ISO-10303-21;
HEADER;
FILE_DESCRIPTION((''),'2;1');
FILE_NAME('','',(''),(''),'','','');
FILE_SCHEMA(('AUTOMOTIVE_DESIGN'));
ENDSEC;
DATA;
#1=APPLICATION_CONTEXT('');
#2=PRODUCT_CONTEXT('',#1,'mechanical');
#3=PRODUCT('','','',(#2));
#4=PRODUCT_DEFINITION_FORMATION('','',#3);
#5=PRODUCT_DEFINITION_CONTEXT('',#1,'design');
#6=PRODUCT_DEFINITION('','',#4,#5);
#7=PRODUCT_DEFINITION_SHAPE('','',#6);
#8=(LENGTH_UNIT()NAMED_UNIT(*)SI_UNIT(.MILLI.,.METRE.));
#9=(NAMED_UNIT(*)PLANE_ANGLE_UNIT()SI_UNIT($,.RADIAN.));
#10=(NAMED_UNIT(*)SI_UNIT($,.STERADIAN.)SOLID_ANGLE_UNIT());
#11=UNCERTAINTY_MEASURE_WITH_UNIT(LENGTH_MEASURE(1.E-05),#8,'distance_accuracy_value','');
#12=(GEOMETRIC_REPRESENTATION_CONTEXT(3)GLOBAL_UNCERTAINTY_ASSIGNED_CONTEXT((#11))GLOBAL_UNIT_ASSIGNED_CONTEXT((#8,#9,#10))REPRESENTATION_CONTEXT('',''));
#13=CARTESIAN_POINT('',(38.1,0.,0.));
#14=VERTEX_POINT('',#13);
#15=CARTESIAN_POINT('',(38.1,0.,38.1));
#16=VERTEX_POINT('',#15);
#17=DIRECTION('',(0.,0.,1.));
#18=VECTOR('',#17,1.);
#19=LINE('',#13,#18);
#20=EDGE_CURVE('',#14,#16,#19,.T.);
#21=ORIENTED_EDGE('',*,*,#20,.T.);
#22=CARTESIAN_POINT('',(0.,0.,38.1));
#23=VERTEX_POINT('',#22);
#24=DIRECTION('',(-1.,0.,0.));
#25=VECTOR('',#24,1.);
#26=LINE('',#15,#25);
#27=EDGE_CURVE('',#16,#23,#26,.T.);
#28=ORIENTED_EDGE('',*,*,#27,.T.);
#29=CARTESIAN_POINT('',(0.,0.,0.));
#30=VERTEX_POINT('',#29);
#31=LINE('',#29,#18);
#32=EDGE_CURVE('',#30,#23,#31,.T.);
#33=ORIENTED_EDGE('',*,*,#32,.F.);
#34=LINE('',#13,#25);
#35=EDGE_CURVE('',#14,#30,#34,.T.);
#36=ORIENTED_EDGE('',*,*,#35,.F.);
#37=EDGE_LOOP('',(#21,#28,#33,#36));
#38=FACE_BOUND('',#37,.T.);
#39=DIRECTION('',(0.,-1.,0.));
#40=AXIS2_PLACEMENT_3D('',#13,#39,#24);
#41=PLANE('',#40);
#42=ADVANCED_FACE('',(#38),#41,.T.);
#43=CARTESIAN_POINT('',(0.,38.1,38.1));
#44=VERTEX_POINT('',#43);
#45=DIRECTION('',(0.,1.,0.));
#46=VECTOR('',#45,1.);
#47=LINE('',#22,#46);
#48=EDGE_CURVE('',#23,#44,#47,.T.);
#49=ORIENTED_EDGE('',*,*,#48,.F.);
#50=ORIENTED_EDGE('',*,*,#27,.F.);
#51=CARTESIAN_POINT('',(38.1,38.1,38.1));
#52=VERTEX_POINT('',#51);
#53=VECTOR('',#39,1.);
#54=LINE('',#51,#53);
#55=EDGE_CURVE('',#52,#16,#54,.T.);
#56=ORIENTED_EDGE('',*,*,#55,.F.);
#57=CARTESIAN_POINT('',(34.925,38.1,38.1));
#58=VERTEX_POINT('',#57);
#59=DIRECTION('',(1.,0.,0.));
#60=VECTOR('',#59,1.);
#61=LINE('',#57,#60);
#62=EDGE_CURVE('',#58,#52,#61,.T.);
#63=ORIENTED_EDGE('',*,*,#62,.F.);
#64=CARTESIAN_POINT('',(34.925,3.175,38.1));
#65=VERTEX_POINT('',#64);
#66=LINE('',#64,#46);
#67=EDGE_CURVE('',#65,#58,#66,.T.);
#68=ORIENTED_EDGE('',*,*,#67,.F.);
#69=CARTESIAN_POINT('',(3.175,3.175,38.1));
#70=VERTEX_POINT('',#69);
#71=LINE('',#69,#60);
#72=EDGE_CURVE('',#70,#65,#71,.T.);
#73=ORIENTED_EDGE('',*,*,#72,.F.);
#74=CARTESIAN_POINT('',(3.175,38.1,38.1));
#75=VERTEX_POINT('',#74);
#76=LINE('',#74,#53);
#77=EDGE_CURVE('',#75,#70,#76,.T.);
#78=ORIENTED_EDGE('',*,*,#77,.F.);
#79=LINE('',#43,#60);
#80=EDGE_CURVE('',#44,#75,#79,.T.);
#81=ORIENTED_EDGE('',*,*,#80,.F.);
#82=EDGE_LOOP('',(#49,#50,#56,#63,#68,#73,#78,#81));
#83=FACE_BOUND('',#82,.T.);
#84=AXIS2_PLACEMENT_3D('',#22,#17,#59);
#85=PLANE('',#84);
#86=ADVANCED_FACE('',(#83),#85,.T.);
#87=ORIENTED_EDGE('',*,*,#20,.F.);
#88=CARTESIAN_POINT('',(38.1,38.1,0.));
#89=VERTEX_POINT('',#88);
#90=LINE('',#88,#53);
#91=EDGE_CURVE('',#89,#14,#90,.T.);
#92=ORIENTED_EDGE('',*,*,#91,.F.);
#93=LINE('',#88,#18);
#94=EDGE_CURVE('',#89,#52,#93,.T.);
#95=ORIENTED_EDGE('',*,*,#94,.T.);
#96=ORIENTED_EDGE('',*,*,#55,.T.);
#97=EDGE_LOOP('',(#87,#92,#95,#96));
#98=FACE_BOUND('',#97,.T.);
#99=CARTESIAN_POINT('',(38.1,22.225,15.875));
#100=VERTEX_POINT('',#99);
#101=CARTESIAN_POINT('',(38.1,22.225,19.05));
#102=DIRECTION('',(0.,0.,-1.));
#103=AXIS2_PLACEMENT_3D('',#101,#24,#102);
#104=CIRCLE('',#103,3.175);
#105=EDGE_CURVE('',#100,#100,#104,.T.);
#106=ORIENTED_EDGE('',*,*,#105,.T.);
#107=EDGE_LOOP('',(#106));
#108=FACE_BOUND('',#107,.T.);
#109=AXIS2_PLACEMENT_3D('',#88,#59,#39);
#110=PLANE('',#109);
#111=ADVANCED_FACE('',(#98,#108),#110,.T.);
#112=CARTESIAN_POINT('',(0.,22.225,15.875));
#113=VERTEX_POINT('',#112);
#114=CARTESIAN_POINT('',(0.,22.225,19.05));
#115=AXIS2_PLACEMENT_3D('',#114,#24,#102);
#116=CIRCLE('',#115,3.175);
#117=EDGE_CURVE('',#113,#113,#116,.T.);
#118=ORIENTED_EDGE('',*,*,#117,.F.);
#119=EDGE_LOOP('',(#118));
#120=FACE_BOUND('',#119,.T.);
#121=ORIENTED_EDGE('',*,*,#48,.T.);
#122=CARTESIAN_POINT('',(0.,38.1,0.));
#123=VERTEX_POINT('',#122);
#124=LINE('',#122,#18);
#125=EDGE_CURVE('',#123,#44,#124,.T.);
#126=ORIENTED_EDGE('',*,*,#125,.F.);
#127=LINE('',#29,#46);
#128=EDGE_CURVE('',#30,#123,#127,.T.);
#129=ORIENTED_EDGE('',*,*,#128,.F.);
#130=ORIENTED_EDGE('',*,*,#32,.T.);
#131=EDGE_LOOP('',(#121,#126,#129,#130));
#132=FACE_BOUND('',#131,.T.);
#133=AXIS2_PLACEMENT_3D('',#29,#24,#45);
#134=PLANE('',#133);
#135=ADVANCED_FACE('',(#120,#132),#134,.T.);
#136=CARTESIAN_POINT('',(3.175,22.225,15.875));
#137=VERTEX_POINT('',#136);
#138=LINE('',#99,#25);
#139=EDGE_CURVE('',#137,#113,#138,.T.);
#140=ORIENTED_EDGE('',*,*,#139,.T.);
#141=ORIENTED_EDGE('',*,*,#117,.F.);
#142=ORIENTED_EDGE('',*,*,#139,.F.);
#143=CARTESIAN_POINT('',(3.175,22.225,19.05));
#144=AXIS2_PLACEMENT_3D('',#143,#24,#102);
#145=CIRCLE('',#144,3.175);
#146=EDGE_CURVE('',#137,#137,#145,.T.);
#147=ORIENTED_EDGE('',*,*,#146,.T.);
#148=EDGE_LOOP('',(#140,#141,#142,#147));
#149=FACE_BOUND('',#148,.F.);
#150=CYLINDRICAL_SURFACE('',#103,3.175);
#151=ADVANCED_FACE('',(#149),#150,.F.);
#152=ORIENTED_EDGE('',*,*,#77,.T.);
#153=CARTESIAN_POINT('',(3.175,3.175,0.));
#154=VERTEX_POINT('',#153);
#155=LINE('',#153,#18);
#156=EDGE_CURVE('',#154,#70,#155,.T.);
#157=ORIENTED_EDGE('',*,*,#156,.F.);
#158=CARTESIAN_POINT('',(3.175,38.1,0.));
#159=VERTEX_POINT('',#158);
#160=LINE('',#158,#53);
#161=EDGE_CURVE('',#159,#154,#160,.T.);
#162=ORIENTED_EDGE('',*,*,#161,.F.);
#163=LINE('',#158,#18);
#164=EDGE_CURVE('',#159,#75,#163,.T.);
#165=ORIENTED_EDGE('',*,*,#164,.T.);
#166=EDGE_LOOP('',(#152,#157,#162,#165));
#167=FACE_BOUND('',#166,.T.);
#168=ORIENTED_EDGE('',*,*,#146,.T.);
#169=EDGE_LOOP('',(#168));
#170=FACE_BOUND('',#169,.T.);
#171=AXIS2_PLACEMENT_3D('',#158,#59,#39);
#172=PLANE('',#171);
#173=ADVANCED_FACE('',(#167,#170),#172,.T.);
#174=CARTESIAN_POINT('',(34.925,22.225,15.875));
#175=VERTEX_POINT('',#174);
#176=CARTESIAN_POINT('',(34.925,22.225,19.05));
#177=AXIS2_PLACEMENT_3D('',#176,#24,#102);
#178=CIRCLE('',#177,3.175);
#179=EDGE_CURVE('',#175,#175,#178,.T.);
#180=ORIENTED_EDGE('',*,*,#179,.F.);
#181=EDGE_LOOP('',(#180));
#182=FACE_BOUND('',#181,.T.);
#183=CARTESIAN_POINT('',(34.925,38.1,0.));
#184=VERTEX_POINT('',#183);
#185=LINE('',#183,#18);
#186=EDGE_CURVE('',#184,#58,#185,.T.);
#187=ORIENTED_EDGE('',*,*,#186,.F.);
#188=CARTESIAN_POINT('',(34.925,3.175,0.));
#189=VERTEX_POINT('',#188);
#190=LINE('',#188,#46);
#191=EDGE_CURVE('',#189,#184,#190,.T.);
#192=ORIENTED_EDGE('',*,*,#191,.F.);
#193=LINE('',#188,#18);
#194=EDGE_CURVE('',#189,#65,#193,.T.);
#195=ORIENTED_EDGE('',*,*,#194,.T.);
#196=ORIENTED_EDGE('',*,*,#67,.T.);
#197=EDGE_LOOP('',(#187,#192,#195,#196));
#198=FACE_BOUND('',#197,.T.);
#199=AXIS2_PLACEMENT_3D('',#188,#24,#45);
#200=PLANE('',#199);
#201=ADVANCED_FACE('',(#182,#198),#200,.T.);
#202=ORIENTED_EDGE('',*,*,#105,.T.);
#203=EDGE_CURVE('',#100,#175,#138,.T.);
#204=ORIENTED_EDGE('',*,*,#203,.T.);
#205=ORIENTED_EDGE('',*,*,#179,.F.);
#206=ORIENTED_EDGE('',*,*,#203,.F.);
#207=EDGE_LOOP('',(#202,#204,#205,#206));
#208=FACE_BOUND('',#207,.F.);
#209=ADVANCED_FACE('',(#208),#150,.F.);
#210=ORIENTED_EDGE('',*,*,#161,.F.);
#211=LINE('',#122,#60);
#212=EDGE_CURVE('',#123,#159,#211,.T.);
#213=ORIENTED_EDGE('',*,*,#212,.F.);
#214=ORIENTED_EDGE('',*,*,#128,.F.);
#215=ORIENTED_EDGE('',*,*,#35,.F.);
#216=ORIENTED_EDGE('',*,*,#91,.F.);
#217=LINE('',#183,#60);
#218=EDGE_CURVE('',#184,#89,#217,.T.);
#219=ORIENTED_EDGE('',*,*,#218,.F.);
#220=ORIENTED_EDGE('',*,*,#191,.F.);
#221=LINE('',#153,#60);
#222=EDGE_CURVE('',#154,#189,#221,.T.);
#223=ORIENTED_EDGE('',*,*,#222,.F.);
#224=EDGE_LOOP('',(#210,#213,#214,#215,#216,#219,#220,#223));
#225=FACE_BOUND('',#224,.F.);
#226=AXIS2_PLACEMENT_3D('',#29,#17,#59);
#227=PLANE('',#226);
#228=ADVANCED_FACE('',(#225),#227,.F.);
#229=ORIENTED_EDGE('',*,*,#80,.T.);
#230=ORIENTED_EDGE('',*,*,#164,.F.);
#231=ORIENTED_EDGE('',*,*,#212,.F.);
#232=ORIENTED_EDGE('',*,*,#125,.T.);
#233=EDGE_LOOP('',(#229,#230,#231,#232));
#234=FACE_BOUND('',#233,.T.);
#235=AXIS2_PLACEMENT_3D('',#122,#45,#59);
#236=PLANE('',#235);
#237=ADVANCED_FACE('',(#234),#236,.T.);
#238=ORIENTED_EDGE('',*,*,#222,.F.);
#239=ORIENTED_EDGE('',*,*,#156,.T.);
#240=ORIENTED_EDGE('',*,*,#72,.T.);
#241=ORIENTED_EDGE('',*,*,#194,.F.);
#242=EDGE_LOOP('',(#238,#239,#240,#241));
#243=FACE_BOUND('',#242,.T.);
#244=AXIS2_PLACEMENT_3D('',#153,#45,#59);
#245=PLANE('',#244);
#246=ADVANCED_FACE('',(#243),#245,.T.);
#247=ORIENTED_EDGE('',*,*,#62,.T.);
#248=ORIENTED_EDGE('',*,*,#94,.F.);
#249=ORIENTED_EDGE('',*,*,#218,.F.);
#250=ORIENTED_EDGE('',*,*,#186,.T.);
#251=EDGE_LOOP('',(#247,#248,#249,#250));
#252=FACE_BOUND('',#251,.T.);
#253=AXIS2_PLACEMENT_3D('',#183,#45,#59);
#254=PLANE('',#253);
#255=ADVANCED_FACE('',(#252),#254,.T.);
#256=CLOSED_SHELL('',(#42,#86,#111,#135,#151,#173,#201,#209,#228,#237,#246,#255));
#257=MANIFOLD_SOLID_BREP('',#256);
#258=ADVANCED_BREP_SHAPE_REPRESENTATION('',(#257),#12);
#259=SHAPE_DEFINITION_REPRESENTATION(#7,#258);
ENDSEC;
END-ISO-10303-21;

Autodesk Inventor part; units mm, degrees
ref_plane "YZ Plane" through (0, 0, 0) normal (1, 0, 0) x (0, 1, 0)
ref_plane "XZ Plane" through (0, 0, 0) normal (0, 1, 0) x (-1, 0, 0)
ref_plane "XY Plane" through (0, 0, 0) normal (0, 0, 1) x (1, 0, 0)
sketch "Sketch1" plane through (0, 0, 0) normal (0, 0, 1) x (1, 0, 0)
  line L0 (0, 0) -> (0, 38.1)
  line L1 (0, 38.1) -> (3.175, 38.1)
  line L2 (3.175, 38.1) -> (3.175, 3.175)
  line L3 (3.175, 3.175) -> (34.925, 3.175)
  line L4 (34.925, 3.175) -> (34.925, 38.1)
  line L5 (34.925, 38.1) -> (38.1, 38.1)
  line L6 (38.1, 38.1) -> (38.1, 0)
  line L7 (38.1, 0) -> (0, 0)
  dimension "d0" = 38.1
  dimension "d2" = 3.175
  dimension "d3" = 3.175
  dimension "d4" = 38.1
  dimension "d5" = 3.175
extrude "Extrusion1" add sketch "Sketch1" along normal blind 38.1
sketch "Sketch2" plane through (38.1, 0, 0) normal (1, 0, 0) x (0, 0, -1)
  line L0 (0, 38.1) -> (0, 0) projected
  line L1 (0, 38.1) -> (-38.1, 38.1) projected
  line L2 (-38.1, 0) -> (-38.1, 38.1) projected
  line L3 (0, 0) -> (-38.1, 0) projected
  line L4 (0, 3.175) -> (-38.1, 3.175) projected
  point P0 (0, 0)
  point P1 (-19.05, 22.225)
  dimension "d8" = 19.05
  dimension "d9" = 19.05
  dimension "d19" = 19.05
hole "Hole1" at (38.1, 22.225, 19.05) direction (-1, 0, 0) diameter 6.35 end through all
equation "\"d3\" = d2"
equation "\"d5\" = d2"
equation "\"d8\" = d9"
properties part number "CLB_062_ScissorLiftUBracket"
